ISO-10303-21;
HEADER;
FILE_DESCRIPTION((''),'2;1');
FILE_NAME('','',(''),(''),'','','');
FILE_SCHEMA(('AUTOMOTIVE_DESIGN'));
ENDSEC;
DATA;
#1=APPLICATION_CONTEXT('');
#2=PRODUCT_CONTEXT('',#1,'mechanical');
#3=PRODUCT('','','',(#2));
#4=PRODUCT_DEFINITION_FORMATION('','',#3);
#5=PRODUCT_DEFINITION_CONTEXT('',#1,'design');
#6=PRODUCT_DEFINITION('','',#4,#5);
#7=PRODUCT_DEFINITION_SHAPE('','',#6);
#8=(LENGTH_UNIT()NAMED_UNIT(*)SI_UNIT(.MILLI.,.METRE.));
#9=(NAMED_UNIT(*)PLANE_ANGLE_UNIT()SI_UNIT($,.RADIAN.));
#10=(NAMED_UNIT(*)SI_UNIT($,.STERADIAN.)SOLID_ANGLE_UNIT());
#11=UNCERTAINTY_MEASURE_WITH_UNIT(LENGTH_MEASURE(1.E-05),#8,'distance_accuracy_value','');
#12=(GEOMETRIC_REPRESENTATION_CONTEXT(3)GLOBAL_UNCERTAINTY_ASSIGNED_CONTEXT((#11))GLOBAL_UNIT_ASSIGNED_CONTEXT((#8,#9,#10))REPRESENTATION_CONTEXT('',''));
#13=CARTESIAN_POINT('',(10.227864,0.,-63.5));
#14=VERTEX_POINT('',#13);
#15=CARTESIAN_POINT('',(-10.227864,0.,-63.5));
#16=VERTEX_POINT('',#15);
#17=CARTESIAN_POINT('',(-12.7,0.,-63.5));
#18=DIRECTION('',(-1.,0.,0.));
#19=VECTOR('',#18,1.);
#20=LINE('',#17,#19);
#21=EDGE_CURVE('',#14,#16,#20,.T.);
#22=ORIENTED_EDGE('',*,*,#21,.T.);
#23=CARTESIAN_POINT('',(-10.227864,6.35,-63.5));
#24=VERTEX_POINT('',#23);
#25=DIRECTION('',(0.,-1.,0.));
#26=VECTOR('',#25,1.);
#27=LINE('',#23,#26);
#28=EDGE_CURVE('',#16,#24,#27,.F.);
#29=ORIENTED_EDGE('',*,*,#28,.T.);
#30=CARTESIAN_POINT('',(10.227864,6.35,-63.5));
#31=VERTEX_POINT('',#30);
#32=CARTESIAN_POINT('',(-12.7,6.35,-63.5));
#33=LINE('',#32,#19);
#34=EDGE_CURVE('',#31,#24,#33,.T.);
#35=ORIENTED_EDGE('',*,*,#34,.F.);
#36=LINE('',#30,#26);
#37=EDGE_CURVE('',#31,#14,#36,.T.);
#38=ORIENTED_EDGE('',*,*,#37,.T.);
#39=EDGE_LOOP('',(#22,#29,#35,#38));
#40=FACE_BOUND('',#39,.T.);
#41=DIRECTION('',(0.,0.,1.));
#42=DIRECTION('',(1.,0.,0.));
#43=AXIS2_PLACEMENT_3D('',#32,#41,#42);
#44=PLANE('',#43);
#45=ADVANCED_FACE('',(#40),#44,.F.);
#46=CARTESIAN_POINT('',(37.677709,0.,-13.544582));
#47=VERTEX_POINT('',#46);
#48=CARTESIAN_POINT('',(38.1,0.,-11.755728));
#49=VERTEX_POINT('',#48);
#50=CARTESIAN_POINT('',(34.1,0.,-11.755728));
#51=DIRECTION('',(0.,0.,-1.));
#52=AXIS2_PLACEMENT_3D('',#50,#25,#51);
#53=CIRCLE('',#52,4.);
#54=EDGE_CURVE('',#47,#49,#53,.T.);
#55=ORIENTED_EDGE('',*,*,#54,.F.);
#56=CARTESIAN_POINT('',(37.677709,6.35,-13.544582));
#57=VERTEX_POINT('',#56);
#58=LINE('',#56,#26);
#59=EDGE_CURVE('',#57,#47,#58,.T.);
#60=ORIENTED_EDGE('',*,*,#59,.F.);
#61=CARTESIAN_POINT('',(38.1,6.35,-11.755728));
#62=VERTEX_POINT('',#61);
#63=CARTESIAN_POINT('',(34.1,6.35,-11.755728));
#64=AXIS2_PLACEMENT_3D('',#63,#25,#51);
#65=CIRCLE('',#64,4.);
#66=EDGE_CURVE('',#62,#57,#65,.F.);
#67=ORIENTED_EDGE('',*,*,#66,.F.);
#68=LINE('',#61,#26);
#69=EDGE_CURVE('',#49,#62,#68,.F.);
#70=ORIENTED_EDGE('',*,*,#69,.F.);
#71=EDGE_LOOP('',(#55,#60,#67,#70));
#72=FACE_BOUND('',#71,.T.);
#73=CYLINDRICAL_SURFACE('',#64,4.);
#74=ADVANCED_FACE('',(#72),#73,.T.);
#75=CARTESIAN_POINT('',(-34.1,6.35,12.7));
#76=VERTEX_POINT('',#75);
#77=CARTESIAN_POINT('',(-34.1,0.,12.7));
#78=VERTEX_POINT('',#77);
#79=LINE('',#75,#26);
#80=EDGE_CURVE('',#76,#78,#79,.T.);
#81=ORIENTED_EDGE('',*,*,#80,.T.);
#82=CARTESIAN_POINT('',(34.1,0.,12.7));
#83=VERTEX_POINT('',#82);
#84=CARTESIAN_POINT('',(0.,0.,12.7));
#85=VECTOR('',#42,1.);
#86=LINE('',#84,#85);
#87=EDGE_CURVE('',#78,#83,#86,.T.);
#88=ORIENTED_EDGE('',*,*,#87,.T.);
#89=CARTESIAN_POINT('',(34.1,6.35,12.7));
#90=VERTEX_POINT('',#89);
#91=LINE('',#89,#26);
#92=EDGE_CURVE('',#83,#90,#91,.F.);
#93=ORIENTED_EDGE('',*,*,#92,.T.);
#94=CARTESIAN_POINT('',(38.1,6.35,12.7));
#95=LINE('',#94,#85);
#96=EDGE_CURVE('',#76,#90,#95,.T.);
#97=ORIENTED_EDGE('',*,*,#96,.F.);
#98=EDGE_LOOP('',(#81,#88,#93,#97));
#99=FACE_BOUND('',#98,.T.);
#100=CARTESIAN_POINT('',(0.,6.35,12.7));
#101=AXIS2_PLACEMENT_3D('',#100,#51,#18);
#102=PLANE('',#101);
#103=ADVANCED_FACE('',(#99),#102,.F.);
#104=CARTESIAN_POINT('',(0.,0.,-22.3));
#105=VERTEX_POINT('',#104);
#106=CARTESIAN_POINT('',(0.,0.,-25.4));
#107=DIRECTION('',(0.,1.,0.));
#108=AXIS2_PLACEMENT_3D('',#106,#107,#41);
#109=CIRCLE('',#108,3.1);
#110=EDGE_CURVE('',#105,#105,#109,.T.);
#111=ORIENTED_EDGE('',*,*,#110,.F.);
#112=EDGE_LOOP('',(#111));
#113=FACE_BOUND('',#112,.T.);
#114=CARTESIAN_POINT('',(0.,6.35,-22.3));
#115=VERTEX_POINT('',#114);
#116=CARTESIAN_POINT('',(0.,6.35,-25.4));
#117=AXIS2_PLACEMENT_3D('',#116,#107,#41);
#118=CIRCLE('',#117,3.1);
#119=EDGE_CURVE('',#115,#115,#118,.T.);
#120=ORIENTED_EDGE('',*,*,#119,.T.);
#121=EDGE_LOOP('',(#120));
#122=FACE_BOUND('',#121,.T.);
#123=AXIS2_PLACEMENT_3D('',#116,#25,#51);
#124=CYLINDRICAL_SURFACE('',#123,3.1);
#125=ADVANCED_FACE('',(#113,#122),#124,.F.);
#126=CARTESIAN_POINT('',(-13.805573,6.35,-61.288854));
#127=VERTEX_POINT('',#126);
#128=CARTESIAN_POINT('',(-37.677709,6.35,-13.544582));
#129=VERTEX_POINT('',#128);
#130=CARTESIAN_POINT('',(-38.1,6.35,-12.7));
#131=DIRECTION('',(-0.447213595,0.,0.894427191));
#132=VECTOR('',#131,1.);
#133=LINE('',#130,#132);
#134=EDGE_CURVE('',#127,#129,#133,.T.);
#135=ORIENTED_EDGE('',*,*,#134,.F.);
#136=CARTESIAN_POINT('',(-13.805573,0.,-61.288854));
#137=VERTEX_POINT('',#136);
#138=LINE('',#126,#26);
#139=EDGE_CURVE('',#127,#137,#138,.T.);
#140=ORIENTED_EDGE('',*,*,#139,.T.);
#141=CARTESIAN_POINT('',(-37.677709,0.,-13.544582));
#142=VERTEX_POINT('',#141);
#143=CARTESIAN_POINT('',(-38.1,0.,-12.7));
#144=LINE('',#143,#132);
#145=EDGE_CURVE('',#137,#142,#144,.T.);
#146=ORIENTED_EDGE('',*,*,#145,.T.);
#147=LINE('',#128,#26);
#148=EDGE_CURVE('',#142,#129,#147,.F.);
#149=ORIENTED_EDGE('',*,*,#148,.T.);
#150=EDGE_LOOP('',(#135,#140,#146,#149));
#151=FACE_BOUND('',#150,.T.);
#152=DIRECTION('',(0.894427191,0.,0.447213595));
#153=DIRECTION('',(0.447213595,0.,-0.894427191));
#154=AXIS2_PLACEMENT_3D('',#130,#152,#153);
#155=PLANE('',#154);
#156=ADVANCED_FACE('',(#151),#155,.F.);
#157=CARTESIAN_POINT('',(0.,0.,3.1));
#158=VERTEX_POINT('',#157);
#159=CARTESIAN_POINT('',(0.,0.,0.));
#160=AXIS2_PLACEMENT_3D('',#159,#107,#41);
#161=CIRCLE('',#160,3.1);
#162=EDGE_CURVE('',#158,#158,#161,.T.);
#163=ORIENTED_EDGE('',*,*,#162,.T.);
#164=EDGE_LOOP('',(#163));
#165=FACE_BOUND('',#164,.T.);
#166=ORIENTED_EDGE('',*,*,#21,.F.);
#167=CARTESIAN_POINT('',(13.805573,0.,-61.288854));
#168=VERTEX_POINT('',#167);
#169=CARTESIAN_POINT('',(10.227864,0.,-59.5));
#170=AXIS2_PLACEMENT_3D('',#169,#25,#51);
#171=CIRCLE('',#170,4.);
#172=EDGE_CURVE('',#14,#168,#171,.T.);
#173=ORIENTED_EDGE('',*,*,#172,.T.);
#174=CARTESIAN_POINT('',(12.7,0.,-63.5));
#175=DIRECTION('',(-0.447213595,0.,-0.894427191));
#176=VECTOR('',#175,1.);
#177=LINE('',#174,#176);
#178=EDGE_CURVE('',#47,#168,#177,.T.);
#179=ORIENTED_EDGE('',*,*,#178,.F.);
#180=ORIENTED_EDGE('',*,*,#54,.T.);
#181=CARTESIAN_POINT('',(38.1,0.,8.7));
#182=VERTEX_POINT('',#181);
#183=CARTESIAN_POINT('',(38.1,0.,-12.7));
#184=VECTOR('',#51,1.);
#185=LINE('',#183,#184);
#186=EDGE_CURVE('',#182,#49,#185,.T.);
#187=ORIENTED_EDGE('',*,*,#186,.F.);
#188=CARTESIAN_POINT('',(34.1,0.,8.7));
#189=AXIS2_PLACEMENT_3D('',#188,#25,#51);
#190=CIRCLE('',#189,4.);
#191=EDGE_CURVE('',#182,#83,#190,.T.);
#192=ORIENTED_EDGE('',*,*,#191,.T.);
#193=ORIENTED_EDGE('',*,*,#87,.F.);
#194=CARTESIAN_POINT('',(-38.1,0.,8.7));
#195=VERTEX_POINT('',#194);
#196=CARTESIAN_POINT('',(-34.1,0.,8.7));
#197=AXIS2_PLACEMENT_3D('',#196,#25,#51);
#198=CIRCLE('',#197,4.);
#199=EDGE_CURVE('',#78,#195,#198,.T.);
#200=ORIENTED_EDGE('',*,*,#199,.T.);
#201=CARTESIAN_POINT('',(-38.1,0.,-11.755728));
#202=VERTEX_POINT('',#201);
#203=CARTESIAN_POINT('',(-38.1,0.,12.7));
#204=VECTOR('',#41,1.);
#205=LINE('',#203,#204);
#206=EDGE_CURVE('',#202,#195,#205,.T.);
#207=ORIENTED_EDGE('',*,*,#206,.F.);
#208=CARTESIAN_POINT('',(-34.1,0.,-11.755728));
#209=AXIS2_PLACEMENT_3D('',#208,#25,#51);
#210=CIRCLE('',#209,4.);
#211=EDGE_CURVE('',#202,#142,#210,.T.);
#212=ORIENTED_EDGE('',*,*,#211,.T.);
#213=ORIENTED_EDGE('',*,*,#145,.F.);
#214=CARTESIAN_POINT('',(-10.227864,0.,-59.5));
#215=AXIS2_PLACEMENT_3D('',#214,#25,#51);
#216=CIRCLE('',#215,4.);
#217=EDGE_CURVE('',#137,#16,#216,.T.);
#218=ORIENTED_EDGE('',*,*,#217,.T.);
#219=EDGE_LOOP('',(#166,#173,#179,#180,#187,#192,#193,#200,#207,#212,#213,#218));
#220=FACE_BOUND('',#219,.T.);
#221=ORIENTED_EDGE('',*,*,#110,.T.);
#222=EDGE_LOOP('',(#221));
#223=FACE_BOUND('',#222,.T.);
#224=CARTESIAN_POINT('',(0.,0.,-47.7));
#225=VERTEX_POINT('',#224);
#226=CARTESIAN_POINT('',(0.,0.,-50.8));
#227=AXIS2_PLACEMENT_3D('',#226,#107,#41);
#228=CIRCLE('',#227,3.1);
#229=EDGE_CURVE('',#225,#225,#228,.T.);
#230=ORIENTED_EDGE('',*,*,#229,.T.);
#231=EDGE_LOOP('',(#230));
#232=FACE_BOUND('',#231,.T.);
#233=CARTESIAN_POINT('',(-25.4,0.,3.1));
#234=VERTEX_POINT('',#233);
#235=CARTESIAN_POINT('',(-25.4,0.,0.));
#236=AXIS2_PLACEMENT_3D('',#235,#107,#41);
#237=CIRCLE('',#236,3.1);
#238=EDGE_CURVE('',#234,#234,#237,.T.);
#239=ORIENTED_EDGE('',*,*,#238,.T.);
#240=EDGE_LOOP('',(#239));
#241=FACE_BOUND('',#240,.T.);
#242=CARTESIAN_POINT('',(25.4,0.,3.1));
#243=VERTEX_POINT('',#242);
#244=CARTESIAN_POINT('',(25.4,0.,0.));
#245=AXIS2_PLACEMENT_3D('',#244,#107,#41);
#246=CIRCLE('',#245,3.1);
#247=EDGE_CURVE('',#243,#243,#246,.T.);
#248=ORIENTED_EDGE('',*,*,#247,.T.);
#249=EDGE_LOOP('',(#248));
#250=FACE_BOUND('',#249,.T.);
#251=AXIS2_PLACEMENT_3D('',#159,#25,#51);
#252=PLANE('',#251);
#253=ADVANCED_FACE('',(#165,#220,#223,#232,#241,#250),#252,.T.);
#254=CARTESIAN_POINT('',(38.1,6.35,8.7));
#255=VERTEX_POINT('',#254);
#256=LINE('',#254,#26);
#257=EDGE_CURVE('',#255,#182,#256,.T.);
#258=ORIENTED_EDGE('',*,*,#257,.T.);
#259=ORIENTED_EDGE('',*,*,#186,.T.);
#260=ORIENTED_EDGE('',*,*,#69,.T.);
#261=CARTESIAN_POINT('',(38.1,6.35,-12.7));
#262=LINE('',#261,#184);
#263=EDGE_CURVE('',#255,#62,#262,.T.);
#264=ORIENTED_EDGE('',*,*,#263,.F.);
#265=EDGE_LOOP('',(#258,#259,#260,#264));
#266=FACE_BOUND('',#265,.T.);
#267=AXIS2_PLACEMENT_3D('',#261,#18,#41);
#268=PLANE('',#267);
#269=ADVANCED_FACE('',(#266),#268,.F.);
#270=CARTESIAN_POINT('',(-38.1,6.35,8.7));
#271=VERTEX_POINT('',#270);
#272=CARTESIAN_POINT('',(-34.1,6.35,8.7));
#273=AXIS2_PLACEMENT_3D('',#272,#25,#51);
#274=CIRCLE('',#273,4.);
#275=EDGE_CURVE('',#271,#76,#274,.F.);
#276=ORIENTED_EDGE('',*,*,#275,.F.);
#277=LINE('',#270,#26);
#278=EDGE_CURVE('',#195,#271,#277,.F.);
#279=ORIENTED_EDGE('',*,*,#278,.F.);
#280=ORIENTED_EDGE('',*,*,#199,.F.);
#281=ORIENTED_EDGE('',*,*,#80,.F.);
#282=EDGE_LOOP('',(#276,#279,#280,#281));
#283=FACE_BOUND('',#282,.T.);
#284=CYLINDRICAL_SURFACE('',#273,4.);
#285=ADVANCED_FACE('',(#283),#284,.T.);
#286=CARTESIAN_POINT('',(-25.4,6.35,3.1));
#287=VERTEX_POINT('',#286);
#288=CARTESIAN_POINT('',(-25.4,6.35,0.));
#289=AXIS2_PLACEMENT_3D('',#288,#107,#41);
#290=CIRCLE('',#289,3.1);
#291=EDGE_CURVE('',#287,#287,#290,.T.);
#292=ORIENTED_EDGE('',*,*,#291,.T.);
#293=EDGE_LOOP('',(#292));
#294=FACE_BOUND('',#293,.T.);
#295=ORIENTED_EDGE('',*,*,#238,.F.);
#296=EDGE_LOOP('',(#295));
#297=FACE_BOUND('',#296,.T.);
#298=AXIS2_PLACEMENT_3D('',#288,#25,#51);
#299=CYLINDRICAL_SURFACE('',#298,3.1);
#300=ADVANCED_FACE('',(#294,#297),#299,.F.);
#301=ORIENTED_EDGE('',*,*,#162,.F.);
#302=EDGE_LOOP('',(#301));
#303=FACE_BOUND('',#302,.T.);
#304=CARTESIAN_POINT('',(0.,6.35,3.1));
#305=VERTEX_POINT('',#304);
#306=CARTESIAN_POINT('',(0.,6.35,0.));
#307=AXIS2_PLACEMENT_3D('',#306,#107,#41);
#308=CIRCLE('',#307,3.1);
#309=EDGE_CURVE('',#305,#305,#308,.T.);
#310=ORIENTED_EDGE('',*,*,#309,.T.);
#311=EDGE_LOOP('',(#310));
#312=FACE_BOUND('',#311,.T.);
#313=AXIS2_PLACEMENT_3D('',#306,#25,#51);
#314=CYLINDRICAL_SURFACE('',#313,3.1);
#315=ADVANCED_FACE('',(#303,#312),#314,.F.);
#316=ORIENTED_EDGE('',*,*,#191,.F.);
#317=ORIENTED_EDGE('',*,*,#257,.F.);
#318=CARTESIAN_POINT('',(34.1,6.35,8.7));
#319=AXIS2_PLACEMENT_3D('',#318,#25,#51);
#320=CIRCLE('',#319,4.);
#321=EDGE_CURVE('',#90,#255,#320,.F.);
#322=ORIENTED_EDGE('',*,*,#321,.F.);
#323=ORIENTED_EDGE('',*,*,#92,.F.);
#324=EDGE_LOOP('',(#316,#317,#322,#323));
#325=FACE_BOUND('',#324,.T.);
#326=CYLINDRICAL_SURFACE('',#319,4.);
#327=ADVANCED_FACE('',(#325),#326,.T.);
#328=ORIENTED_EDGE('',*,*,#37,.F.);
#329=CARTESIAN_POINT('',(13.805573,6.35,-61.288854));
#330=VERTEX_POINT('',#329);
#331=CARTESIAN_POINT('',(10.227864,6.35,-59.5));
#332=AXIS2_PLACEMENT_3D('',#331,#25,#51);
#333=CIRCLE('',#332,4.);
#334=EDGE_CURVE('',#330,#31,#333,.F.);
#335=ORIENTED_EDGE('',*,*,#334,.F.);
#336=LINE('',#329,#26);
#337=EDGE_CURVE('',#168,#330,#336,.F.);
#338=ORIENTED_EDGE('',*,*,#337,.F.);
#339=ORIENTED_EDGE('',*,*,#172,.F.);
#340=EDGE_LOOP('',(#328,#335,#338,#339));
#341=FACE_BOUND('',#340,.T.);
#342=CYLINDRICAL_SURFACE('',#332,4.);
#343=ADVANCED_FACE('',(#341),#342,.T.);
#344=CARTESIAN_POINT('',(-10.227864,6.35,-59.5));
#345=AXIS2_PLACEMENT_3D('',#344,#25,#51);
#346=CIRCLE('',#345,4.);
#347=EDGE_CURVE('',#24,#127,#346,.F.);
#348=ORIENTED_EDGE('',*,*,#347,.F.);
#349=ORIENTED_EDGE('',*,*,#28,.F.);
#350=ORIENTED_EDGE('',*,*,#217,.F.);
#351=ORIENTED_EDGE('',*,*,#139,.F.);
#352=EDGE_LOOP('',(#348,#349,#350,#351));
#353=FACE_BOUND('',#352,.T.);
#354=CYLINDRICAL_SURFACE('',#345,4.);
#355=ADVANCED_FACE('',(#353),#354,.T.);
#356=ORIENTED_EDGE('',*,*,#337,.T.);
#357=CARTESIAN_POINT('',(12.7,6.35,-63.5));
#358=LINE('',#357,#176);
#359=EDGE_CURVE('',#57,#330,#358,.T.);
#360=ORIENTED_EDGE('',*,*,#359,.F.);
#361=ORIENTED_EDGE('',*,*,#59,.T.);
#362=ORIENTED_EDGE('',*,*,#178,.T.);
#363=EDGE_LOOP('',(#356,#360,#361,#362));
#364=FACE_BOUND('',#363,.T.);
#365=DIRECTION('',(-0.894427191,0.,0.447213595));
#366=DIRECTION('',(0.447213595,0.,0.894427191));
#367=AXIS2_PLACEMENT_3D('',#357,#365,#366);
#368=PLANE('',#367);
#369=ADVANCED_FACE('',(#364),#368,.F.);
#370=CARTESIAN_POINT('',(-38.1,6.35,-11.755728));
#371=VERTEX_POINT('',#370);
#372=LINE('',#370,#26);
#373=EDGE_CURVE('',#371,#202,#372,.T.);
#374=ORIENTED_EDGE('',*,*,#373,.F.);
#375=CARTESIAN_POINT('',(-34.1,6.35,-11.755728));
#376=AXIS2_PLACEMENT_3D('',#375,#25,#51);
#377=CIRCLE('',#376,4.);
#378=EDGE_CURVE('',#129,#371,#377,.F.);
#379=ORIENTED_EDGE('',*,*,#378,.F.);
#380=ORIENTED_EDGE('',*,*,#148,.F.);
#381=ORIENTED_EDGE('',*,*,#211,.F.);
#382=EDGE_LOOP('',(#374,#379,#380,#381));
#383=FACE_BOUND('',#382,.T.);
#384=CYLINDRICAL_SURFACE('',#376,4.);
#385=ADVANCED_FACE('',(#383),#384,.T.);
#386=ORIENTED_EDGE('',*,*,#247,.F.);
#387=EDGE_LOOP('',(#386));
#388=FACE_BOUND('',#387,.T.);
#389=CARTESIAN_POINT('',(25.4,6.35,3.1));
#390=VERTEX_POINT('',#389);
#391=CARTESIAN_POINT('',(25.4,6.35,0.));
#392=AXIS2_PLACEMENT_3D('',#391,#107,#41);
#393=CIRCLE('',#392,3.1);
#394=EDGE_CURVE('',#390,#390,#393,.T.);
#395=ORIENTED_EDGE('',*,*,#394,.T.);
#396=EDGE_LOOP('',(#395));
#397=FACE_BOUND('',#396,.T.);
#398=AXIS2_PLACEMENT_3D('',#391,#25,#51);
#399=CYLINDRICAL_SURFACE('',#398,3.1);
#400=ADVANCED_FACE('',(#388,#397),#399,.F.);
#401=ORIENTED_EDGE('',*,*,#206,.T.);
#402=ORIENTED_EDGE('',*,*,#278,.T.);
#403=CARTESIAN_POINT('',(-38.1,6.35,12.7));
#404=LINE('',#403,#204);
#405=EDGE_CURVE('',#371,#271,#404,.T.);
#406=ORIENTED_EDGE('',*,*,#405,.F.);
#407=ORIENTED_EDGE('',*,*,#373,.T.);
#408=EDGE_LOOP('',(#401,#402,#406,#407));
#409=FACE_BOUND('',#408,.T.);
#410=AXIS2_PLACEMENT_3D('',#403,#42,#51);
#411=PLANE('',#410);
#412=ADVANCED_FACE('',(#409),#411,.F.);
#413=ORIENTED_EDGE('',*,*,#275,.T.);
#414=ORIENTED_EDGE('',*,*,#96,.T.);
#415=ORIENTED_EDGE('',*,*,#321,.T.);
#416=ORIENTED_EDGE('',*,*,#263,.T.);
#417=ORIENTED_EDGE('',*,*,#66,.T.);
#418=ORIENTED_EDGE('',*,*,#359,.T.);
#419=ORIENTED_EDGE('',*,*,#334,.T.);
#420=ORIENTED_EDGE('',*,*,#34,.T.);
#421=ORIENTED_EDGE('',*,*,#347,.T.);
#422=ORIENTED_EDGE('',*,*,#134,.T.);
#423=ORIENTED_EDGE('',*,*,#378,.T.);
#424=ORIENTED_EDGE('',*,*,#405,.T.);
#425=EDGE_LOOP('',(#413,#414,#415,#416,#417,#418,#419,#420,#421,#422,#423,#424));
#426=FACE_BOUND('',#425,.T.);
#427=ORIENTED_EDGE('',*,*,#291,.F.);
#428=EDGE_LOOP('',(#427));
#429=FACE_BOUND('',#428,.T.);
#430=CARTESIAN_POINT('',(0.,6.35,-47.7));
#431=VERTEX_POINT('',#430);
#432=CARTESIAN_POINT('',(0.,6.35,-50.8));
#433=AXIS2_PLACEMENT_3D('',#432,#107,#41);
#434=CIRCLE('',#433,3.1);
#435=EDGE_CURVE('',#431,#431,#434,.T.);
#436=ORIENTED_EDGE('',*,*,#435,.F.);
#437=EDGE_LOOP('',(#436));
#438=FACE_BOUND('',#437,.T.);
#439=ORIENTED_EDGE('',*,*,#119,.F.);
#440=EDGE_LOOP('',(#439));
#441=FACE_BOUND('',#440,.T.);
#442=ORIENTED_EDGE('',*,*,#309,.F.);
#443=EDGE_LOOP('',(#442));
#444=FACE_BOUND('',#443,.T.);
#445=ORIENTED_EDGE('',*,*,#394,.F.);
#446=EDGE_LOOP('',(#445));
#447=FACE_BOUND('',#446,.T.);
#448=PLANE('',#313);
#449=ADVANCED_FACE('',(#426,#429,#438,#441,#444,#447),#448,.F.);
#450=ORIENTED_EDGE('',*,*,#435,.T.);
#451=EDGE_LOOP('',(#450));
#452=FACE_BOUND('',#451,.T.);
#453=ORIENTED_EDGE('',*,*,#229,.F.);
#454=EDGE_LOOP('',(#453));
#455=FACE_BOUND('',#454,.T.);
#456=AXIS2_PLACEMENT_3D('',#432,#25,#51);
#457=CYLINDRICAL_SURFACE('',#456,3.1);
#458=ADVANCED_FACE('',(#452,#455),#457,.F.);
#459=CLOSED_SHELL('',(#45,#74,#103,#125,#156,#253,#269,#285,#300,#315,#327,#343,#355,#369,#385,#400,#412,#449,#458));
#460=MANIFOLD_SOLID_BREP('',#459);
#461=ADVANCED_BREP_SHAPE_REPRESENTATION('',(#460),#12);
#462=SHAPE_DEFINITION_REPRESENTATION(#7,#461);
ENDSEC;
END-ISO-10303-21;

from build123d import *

# Parameters (mm, degrees)
SKETCH1_R           = 3.1
BOSS_EXTRUDE1_DEPTH = 6.35
FILLET1_R           = 4


with BuildPart() as part:
    # Sketch1 → Boss-Extrude1 (new body)
    with BuildSketch(Plane(origin=(0, 0, 0), x_dir=(1, 0, 0), z_dir=(0, 1, 0))):
        Polygon((0, -12.7), (-38.1, -12.7), (-38.1, 12.7), (-12.7, 63.5), (12.7, 63.5), (38.1, 12.7), (38.1, -12.7), align=None)
        with Locations(Location((0, 50.8, 0), (0, 0, 270))):
            Circle(SKETCH1_R, mode=Mode.SUBTRACT)
        with Locations(Location((0, 25.4, 0), (0, 0, 270))):
            Circle(SKETCH1_R, mode=Mode.SUBTRACT)
        with Locations(Location((25.4, 0, 0), (0, 0, 270))):
            Circle(SKETCH1_R, mode=Mode.SUBTRACT)
        with Locations(Location((0, 0, 0), (0, 0, 270))):
            Circle(SKETCH1_R, mode=Mode.SUBTRACT)
        with Locations(Location((-25.4, 0, 0), (0, 0, 270))):
            Circle(SKETCH1_R, mode=Mode.SUBTRACT)
    extrude(amount=BOSS_EXTRUDE1_DEPTH)

    # Fillet1
    fillet1_edges = [part.edges().sort_by_distance(p)[0] for p in [
        (-38.1, 3.175, 12.7),
        (-38.1, 3.175, -12.7),
        (-12.7, 3.175, -63.5),
        (12.7, 3.175, -63.5),
        (38.1, 3.175, -12.7),
        (38.1, 3.175, 12.7),
    ]]
    fillet(fillet1_edges, radius=FILLET1_R)


solid = part.part
